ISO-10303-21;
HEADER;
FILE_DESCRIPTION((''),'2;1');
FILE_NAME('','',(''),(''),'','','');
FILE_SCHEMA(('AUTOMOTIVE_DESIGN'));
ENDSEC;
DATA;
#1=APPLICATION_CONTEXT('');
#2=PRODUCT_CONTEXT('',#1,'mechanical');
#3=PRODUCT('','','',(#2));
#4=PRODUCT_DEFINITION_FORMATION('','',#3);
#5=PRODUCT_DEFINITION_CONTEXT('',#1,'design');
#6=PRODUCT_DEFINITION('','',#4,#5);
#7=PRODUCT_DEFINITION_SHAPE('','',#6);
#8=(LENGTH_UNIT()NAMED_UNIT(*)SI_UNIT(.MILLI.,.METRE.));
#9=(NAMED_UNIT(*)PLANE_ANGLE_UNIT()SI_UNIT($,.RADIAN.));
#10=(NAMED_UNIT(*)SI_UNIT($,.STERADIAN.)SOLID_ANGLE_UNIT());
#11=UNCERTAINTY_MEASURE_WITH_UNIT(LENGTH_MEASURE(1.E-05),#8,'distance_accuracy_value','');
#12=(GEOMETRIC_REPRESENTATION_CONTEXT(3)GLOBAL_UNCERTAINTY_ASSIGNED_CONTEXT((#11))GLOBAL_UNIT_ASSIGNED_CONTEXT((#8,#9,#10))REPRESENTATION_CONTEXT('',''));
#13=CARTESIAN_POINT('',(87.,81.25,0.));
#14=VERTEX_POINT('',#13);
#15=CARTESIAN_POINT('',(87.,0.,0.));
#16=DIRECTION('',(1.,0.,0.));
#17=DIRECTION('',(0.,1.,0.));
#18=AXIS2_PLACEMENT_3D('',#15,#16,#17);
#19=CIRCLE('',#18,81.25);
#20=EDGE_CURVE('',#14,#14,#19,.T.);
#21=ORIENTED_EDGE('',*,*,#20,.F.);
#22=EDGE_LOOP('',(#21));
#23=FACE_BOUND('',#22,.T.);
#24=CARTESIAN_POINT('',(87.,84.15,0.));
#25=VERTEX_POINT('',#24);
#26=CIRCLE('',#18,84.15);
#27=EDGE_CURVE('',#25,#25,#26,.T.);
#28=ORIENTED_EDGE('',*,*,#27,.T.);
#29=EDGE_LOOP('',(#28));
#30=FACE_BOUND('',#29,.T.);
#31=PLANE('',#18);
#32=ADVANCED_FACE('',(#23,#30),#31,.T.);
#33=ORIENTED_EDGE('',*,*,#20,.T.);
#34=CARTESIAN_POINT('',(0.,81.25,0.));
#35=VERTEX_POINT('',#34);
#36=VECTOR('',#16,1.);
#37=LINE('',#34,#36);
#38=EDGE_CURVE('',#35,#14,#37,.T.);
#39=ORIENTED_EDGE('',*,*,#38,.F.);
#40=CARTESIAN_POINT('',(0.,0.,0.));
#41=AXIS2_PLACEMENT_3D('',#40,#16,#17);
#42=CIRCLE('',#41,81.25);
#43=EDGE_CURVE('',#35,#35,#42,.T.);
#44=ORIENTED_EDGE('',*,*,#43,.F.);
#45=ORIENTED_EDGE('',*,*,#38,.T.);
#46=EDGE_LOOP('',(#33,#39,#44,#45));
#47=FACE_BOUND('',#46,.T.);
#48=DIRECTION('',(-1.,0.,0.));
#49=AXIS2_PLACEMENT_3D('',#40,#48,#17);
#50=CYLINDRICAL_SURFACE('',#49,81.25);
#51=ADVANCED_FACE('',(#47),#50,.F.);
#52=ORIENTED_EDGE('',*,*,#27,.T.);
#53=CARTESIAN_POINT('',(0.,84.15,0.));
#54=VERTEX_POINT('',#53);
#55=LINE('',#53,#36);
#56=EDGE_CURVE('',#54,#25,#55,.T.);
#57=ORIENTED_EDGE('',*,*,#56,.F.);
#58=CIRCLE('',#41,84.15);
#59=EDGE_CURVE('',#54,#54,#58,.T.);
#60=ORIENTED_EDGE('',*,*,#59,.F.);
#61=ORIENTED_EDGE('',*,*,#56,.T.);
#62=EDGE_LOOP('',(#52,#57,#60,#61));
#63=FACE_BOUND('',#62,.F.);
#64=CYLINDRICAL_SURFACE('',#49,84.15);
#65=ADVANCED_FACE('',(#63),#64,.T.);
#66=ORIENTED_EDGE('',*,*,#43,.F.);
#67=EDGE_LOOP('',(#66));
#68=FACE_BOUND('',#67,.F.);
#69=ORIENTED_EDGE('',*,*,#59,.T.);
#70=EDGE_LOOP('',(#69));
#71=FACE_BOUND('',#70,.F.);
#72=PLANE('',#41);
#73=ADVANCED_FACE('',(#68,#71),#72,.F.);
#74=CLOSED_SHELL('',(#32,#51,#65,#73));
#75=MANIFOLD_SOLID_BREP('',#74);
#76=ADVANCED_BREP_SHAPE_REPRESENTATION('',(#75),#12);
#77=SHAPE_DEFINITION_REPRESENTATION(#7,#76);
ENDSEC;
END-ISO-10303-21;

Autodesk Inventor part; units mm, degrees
ref_plane "YZ Plane" through (0, 0, 0) normal (1, 0, 0) x (0, 1, 0)
ref_plane "XZ Plane" through (0, 0, 0) normal (0, 1, 0) x (-1, 0, 0)
ref_plane "XY Plane" through (0, 0, 0) normal (0, 0, 1) x (1, 0, 0)
sketch "Sketch1" plane through (0, 0, 0) normal (1, 0, 0) x (0, 1, 0)
  circle A0 centre (0, 0) radius 84.15
  circle A1 centre (0, 0) radius 81.25
  dimension "d0" = 168.3
  dimension "d1" = 2.9
extrude "Extrusion1" add sketch "Sketch1" along normal blind 87
equation "\"d0\" = OD"
equation "\"d1\" = t"
equation "\"d2\" = L"
equation "\"OD\" = 168.3"
equation "\"t\" = 2.9"
equation "\"L\" = PL"
equation "\"ID\" = 162.5"
equation "\"PL\" = 87"
equation "\"Size_Designation\" = 1.2345"
properties material "Steel"
